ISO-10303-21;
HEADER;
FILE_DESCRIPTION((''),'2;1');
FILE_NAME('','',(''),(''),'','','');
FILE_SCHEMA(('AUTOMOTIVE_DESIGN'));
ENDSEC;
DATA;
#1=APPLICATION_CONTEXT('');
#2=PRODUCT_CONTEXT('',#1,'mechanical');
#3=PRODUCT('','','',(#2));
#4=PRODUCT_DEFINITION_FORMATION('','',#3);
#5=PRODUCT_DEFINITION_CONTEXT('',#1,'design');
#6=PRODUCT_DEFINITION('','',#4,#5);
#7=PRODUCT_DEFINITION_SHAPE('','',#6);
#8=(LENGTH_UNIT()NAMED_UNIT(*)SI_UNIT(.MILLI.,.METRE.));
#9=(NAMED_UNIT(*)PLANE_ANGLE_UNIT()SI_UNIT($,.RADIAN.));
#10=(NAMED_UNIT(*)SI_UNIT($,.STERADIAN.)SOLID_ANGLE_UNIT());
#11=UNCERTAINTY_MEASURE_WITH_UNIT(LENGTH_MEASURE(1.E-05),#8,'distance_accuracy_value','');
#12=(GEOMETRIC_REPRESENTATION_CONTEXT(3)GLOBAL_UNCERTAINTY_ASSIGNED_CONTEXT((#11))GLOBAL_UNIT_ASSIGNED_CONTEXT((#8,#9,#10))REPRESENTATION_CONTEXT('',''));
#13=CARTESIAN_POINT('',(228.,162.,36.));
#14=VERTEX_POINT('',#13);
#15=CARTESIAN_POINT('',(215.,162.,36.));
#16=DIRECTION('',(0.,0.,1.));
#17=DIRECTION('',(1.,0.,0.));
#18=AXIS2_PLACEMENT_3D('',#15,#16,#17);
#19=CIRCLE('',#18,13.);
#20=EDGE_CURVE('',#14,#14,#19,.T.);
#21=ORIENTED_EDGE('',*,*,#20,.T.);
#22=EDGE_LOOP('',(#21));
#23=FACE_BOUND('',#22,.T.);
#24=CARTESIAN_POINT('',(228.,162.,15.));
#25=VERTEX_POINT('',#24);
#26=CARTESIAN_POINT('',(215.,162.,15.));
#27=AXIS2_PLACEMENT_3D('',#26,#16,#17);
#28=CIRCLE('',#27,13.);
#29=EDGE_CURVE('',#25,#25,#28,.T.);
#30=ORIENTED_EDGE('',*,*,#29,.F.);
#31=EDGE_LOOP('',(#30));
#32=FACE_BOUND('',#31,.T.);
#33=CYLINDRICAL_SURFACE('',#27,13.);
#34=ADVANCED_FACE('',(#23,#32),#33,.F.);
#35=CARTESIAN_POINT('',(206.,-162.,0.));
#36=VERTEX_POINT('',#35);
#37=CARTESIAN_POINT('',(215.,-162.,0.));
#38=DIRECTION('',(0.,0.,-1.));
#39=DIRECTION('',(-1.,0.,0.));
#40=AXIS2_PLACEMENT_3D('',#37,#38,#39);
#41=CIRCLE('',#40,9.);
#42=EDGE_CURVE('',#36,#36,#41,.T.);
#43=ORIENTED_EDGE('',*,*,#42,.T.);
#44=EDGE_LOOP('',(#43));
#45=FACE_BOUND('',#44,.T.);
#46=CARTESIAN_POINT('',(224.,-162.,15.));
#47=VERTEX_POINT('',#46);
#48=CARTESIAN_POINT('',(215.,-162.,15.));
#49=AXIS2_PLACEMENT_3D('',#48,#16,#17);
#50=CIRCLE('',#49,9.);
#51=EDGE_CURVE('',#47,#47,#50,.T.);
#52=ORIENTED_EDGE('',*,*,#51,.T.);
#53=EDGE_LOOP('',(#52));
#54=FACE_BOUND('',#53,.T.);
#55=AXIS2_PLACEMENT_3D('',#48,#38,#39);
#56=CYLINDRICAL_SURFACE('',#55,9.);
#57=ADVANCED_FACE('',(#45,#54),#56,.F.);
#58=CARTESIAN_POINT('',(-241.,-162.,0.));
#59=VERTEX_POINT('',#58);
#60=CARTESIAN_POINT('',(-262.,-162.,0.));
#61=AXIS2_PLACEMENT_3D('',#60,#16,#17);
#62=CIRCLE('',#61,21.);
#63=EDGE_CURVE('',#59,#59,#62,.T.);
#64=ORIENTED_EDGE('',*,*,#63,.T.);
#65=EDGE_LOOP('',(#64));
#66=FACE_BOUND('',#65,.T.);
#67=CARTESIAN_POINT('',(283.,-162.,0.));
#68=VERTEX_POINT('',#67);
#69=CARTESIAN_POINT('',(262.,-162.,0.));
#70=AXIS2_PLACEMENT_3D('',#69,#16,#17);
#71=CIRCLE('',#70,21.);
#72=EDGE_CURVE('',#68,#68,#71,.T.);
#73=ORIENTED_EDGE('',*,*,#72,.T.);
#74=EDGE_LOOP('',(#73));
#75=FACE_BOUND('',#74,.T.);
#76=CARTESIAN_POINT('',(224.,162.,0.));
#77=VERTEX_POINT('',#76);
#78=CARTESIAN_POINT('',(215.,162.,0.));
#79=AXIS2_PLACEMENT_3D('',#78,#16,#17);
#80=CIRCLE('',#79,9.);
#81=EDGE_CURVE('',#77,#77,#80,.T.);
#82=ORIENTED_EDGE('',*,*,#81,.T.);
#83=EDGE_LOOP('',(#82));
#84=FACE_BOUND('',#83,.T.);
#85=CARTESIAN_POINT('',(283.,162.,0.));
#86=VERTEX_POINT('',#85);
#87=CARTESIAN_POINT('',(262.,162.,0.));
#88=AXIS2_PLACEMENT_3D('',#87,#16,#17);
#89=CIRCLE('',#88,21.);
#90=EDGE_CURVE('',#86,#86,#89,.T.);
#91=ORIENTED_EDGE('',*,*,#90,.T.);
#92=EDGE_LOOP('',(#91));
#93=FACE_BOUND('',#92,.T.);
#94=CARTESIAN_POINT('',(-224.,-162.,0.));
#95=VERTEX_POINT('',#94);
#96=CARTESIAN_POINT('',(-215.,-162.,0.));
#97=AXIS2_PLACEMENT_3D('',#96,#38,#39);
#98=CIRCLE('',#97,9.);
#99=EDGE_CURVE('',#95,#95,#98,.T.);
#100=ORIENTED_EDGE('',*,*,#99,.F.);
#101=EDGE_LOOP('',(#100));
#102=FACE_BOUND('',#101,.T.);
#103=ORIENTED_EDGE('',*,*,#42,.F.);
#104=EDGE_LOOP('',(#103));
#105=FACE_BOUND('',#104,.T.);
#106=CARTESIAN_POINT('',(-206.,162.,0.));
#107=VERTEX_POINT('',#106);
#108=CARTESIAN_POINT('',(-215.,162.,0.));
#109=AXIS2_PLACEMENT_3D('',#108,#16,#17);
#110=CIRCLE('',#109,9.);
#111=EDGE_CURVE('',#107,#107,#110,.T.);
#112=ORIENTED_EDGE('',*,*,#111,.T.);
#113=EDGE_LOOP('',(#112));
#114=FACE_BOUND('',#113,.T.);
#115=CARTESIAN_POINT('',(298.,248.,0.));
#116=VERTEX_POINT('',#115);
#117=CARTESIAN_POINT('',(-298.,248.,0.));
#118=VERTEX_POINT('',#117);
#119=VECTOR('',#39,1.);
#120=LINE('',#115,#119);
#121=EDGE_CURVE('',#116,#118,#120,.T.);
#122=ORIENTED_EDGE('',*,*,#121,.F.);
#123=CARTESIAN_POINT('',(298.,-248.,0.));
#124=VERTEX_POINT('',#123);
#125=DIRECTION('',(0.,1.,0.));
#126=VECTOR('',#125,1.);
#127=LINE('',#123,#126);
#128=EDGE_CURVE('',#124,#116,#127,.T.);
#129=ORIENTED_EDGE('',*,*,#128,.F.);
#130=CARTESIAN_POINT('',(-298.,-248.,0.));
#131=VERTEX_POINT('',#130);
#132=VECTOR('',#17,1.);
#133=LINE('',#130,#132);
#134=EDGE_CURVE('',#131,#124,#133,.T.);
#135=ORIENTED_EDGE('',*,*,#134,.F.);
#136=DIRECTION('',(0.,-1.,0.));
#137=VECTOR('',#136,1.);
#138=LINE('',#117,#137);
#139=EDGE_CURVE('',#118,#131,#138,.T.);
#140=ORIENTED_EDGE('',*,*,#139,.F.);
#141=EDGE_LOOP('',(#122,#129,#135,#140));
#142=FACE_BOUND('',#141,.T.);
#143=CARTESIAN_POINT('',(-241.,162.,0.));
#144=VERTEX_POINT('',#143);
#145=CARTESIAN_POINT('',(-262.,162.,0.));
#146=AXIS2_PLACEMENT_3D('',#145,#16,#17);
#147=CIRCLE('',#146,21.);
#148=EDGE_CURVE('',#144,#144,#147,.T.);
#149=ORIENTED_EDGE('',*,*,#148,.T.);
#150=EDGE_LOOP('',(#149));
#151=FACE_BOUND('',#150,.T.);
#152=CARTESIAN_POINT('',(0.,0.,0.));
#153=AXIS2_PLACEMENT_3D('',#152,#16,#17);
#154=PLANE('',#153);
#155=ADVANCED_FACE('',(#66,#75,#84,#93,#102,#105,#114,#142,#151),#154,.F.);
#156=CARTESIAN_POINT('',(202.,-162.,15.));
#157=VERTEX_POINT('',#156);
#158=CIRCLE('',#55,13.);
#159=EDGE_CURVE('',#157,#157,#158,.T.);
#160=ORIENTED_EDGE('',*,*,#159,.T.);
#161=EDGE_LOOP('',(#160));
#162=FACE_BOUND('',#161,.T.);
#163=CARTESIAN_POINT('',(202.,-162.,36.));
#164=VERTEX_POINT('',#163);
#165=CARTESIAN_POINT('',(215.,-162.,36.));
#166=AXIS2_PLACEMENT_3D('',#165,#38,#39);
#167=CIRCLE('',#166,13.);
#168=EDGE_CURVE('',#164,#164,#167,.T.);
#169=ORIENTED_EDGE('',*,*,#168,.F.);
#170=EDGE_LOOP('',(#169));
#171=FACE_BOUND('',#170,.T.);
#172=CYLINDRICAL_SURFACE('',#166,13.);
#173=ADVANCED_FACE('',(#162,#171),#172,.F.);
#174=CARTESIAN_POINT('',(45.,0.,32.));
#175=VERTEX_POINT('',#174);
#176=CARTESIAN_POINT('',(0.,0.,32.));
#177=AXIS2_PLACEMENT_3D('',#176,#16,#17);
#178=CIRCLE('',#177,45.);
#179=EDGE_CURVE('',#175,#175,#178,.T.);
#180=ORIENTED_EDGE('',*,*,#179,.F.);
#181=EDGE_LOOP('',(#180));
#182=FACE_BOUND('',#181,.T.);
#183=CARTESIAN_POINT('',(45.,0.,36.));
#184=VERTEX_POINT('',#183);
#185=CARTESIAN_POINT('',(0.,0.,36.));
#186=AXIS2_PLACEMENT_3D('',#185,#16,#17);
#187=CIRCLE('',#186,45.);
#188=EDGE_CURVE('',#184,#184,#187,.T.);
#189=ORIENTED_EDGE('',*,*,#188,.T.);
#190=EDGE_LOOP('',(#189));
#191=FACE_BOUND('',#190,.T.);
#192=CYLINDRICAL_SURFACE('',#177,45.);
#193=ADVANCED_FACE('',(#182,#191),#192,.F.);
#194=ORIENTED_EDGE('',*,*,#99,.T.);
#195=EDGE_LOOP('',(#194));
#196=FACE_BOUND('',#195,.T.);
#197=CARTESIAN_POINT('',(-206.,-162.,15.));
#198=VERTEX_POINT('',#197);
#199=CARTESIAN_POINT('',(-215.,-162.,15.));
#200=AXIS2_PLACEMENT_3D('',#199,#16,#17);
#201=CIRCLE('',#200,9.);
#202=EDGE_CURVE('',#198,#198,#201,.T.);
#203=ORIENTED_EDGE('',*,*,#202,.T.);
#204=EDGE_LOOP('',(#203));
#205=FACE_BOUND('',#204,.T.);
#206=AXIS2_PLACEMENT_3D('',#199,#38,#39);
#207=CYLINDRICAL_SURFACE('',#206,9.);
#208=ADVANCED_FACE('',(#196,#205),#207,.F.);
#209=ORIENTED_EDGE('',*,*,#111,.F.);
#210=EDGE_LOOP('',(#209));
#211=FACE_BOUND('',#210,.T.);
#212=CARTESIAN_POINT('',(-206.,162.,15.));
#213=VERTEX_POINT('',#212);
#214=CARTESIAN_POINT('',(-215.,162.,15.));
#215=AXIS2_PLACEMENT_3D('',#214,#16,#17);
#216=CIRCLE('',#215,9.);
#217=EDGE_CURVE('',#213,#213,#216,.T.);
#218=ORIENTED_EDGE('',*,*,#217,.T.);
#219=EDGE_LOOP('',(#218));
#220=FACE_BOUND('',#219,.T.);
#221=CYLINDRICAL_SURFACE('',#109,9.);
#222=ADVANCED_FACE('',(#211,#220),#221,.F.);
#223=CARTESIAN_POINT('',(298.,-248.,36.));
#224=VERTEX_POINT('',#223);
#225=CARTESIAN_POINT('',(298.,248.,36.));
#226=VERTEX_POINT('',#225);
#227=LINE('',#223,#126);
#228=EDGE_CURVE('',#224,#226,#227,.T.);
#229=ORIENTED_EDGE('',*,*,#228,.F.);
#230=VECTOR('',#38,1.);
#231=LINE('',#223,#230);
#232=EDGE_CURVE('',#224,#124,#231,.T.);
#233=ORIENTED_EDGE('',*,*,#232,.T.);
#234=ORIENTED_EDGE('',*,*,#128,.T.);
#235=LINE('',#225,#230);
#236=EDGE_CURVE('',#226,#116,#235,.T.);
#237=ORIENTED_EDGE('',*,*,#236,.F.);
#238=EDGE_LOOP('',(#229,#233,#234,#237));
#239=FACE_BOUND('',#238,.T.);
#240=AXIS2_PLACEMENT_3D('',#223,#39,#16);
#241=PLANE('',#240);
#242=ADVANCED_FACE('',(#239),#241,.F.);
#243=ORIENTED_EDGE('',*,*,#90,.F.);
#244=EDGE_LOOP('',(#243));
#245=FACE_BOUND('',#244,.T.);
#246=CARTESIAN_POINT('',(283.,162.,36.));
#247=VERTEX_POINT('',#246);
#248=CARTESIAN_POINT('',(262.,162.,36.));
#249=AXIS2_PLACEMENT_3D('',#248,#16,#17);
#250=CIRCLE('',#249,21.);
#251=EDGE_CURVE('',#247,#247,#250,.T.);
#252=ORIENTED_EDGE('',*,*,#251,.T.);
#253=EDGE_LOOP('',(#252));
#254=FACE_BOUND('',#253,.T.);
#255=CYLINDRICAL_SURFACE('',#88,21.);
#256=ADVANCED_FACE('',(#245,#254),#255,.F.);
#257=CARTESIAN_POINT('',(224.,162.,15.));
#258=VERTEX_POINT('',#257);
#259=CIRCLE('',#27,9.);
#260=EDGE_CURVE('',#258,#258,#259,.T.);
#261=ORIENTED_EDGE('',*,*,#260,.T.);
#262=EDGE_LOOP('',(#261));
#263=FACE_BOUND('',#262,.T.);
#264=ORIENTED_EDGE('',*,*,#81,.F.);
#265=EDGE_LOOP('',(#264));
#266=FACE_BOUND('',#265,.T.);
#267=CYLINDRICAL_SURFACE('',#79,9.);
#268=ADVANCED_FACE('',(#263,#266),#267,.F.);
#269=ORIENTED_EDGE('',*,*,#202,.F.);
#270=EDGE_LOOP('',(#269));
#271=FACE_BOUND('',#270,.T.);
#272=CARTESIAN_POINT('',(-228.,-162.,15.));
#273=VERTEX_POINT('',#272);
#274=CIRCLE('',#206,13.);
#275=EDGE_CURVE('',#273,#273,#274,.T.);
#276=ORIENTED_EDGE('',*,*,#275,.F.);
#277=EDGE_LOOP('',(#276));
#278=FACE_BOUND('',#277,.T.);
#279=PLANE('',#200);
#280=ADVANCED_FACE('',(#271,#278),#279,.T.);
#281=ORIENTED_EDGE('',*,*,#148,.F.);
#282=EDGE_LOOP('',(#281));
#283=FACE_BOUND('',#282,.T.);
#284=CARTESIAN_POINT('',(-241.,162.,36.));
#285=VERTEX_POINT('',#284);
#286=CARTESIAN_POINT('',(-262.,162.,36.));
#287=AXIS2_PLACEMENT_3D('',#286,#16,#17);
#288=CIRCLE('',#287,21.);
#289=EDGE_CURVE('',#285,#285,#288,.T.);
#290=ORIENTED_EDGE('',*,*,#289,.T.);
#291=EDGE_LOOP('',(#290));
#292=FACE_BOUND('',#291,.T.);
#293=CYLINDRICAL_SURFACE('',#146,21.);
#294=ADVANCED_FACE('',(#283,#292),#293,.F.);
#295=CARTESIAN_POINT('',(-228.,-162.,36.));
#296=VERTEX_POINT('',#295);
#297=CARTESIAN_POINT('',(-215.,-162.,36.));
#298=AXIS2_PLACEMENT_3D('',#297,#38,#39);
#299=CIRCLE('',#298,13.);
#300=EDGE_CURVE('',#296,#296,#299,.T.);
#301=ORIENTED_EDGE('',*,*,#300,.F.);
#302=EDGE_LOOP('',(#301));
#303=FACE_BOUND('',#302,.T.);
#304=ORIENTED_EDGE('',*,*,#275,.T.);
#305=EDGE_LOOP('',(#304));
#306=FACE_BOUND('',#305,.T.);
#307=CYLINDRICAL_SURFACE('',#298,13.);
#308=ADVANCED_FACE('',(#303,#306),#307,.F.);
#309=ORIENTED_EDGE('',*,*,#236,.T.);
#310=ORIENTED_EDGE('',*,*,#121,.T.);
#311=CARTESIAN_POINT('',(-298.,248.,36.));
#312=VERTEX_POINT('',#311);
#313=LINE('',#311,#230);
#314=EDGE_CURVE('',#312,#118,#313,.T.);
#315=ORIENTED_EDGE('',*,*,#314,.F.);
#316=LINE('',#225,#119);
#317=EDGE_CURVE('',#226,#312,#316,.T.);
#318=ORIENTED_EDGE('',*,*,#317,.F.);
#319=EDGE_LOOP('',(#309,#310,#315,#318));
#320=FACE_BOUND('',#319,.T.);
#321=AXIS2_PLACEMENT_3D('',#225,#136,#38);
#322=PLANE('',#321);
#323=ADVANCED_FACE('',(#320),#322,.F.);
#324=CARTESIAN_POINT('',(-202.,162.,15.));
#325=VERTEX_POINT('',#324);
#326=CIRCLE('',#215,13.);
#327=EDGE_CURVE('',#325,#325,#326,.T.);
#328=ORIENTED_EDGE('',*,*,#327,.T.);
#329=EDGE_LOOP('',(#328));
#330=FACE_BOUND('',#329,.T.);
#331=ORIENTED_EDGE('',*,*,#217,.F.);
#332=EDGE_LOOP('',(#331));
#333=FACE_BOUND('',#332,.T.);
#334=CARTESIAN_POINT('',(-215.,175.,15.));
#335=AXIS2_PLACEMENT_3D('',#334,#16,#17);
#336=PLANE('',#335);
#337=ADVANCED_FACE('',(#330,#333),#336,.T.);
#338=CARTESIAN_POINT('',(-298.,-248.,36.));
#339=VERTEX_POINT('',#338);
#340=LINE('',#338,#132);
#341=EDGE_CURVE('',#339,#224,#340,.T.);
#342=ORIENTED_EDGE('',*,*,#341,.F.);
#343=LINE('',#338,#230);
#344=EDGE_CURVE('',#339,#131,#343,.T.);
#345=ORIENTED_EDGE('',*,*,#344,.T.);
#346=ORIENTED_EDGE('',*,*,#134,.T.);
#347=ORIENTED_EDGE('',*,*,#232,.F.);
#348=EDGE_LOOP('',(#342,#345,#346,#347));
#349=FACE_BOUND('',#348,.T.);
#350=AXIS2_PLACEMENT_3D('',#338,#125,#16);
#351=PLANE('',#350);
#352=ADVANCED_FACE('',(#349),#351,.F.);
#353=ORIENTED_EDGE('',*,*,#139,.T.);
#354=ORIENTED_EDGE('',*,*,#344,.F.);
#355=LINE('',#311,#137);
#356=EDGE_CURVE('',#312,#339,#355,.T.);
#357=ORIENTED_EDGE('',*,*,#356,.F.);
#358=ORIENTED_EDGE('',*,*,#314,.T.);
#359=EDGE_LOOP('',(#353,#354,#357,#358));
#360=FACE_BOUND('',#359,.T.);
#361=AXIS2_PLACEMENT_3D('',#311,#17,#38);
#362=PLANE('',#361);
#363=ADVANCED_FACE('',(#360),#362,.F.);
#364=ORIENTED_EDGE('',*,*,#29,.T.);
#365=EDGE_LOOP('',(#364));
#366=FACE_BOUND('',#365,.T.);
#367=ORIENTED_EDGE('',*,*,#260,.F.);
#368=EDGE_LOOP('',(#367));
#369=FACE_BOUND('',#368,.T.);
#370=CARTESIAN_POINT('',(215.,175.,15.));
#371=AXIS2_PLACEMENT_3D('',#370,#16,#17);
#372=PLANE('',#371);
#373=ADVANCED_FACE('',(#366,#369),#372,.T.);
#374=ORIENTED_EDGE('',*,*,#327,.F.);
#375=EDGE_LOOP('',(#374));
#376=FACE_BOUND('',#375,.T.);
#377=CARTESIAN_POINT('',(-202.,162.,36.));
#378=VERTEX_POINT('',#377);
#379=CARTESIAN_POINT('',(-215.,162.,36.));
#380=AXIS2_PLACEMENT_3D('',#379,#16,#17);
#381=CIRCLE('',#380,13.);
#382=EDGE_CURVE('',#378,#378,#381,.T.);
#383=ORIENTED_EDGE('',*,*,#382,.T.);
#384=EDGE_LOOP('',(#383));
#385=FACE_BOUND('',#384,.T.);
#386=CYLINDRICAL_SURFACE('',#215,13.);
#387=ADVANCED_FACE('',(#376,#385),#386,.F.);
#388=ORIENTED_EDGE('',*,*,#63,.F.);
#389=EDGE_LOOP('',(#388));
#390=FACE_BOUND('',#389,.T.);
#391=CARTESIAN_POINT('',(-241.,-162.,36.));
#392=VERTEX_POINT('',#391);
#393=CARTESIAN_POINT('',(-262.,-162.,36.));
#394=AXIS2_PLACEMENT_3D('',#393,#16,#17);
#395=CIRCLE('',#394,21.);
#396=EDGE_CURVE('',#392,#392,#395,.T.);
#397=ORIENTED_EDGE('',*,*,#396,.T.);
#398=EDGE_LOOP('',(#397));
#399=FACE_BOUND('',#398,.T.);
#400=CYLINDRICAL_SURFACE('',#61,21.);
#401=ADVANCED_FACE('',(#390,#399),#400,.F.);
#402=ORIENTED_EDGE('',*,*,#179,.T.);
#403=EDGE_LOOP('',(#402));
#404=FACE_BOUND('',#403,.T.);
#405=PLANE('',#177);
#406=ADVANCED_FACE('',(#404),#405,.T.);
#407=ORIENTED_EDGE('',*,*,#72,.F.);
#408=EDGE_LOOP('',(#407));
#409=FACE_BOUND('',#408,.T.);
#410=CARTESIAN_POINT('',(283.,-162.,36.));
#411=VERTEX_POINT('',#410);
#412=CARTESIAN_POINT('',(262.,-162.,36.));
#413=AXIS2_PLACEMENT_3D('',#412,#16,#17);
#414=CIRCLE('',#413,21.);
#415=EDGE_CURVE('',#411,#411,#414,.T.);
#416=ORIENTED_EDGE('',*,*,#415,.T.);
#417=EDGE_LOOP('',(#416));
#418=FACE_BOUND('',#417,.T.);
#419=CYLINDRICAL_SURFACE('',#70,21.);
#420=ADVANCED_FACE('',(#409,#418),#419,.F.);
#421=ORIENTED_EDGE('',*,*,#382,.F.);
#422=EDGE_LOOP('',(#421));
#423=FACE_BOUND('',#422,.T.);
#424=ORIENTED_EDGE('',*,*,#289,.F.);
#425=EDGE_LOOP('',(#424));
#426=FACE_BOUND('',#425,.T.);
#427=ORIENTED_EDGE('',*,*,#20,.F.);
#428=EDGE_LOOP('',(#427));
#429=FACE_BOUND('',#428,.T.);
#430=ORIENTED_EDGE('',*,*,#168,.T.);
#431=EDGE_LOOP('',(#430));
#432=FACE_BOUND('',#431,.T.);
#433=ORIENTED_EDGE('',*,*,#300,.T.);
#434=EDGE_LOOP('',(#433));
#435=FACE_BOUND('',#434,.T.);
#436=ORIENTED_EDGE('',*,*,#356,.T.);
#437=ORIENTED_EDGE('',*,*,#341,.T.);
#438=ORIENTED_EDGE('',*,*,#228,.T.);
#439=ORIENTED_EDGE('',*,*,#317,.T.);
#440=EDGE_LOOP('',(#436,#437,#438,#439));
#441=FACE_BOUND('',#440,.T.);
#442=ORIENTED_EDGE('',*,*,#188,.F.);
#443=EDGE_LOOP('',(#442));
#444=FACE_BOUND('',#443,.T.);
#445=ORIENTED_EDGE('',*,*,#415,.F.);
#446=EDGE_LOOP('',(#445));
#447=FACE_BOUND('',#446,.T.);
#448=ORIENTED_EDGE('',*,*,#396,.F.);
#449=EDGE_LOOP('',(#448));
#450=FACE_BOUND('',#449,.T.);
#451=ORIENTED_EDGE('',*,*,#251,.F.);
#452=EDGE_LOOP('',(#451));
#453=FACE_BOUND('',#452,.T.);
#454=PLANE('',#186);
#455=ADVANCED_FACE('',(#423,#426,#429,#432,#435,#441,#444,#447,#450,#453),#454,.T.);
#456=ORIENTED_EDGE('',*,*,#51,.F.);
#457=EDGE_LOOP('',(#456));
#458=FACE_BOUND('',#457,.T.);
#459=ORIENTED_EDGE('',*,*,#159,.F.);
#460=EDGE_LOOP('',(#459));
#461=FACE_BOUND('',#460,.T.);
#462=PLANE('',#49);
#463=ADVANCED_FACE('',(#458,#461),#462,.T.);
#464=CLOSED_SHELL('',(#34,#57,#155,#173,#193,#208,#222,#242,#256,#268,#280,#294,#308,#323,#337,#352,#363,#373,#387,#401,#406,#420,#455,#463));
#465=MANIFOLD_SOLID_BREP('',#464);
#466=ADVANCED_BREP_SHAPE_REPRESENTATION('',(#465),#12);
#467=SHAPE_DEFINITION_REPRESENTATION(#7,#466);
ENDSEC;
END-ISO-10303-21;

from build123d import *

# Parameters (mm, degrees)
SZKIC1_W                    = 596
SZKIC1_H                    = 496
DODANIE_WYCI_GNI_CIE1_DEPTH = 36
SZKIC2_R                    = 45
WYTNIJ_WYCI_GNI_CIE1_DEPTH  = 4
SZKIC3_R                    = 21
WYTNIJ_WYCI_GNI_CIE2_DEPTH  = 36
SZKIC4_R                    = 21
WYTNIJ_WYCI_GNI_CIE3_DEPTH  = 36
SZKIC5_R                    = 21
WYTNIJ_WYCI_GNI_CIE4_DEPTH  = 36
SZKIC6_R                    = 21
WYTNIJ_WYCI_GNI_CIE5_DEPTH  = 36
SZKIC7_W                    = 15
SZKIC7_H                    = 9
SZKIC8_W                    = 15
SZKIC8_H                    = 9
SZKIC9_W                    = 15
SZKIC9_H                    = 9
SZKIC10_W                   = 15
SZKIC10_H                   = 9
SZKIC11_W                   = 21
SZKIC11_H                   = 13
SZKIC12_W                   = 21
SZKIC12_H                   = 13
SZKIC13_W                   = 21
SZKIC13_H                   = 13
SZKIC14_W                   = 21
SZKIC14_H                   = 13


with BuildPart() as part:
    # Szkic1 → Dodanie-wyciągnięcie1 (new body)
    with BuildSketch(Plane.XY):
        Rectangle(SZKIC1_W, SZKIC1_H)
    extrude(amount=DODANIE_WYCI_GNI_CIE1_DEPTH)

    # Szkic2 → Wytnij-wyciągnięcie1 (cut)
    with BuildSketch(Plane.XY.offset(36)):
        Circle(SZKIC2_R)
    extrude(amount=-WYTNIJ_WYCI_GNI_CIE1_DEPTH, mode=Mode.SUBTRACT)

    # Szkic3 → Wytnij-wyciągnięcie2 (cut)
    with BuildSketch(Plane.XY.offset(36)):
        with Locations((262, 162)):
            Circle(SZKIC3_R)
    extrude(amount=-WYTNIJ_WYCI_GNI_CIE2_DEPTH, mode=Mode.SUBTRACT)

    # Szkic4 → Wytnij-wyciągnięcie3 (cut)
    with BuildSketch(Plane.XY.offset(36)):
        with Locations((262, -162)):
            Circle(SZKIC4_R)
    extrude(amount=-WYTNIJ_WYCI_GNI_CIE3_DEPTH, mode=Mode.SUBTRACT)

    # Szkic5 → Wytnij-wyciągnięcie4 (cut)
    with BuildSketch(Plane.XY.offset(36)):
        with Locations((-262, -162)):
            Circle(SZKIC5_R)
    extrude(amount=-WYTNIJ_WYCI_GNI_CIE4_DEPTH, mode=Mode.SUBTRACT)

    # Szkic6 → Wytnij-wyciągnięcie5 (cut)
    with BuildSketch(Plane.XY.offset(36)):
        with Locations((-262, 162)):
            Circle(SZKIC6_R)
    extrude(amount=-WYTNIJ_WYCI_GNI_CIE5_DEPTH, mode=Mode.SUBTRACT)

    # Szkic7 → Wycięcie-obrót1 (revolve, cut)
    with BuildSketch(Plane(origin=(215, 0, 0), x_dir=(0, 0, -1), z_dir=(1, 0, 0))):
        with Locations((-7.5, 166.5)):
            Rectangle(SZKIC7_W, SZKIC7_H)
    revolve(axis=Axis((215, 162, 0), (0, 0, 1)), mode=Mode.SUBTRACT)

    # Szkic8 → Wycięcie-obrót2 (revolve, cut)
    with BuildSketch(Plane(origin=(215, 0, 0), x_dir=(0, 0, -1), z_dir=(1, 0, 0))):
        with Locations((-7.5, -166.5)):
            Rectangle(SZKIC8_W, SZKIC8_H)
    revolve(axis=Axis((215, -162, 15), (0, 0, -1)), mode=Mode.SUBTRACT)

    # Szkic9 → Wycięcie-obrót3 (revolve, cut)
    with BuildSketch(Plane(origin=(-215, 0, 0), x_dir=(0, 0, -1), z_dir=(1, 0, 0))):
        with Locations((-7.5, 166.5)):
            Rectangle(SZKIC9_W, SZKIC9_H)
    revolve(axis=Axis((-215, 162, 0), (0, 0, 1)), mode=Mode.SUBTRACT)

    # Szkic10 → Wycięcie-obrót4 (revolve, cut)
    with BuildSketch(Plane(origin=(-215, 0, 0), x_dir=(0, 0, -1), z_dir=(1, 0, 0))):
        with Locations((-7.5, -166.5)):
            Rectangle(SZKIC10_W, SZKIC10_H)
    revolve(axis=Axis((-215, -162, 15), (0, 0, -1)), mode=Mode.SUBTRACT)

    # Szkic11 → Wycięcie-obrót5 (revolve, cut)
    with BuildSketch(Plane(origin=(215, 0, 0), x_dir=(0, 0, -1), z_dir=(1, 0, 0))):
        with Locations((-25.5, 168.5)):
            Rectangle(SZKIC11_W, SZKIC11_H)
    revolve(axis=Axis((215, 162, 15), (0, 0, 1)), mode=Mode.SUBTRACT)

    # Szkic12 → Wycięcie-obrót6 (revolve, cut)
    with BuildSketch(Plane(origin=(215, 0, 0), x_dir=(0, 0, -1), z_dir=(1, 0, 0))):
        with Locations((-25.5, -168.5)):
            Rectangle(SZKIC12_W, SZKIC12_H)
    revolve(axis=Axis((215, -162, 36), (0, 0, -1)), mode=Mode.SUBTRACT)

    # Szkic13 → Wycięcie-obrót7 (revolve, cut)
    with BuildSketch(Plane(origin=(-215, 0, 0), x_dir=(0, 0, -1), z_dir=(1, 0, 0))):
        with Locations((-25.5, -168.5)):
            Rectangle(SZKIC13_W, SZKIC13_H)
    revolve(axis=Axis((-215, -162, 36), (0, 0, -1)), mode=Mode.SUBTRACT)

    # Szkic14 → Wycięcie-obrót8 (revolve, cut)
    with BuildSketch(Plane(origin=(-215, 0, 0), x_dir=(0, 0, -1), z_dir=(1, 0, 0))):
        with Locations((-25.5, 168.5)):
            Rectangle(SZKIC14_W, SZKIC14_H)
    revolve(axis=Axis((-215, 162, 15), (0, 0, 1)), mode=Mode.SUBTRACT)


solid = part.part
